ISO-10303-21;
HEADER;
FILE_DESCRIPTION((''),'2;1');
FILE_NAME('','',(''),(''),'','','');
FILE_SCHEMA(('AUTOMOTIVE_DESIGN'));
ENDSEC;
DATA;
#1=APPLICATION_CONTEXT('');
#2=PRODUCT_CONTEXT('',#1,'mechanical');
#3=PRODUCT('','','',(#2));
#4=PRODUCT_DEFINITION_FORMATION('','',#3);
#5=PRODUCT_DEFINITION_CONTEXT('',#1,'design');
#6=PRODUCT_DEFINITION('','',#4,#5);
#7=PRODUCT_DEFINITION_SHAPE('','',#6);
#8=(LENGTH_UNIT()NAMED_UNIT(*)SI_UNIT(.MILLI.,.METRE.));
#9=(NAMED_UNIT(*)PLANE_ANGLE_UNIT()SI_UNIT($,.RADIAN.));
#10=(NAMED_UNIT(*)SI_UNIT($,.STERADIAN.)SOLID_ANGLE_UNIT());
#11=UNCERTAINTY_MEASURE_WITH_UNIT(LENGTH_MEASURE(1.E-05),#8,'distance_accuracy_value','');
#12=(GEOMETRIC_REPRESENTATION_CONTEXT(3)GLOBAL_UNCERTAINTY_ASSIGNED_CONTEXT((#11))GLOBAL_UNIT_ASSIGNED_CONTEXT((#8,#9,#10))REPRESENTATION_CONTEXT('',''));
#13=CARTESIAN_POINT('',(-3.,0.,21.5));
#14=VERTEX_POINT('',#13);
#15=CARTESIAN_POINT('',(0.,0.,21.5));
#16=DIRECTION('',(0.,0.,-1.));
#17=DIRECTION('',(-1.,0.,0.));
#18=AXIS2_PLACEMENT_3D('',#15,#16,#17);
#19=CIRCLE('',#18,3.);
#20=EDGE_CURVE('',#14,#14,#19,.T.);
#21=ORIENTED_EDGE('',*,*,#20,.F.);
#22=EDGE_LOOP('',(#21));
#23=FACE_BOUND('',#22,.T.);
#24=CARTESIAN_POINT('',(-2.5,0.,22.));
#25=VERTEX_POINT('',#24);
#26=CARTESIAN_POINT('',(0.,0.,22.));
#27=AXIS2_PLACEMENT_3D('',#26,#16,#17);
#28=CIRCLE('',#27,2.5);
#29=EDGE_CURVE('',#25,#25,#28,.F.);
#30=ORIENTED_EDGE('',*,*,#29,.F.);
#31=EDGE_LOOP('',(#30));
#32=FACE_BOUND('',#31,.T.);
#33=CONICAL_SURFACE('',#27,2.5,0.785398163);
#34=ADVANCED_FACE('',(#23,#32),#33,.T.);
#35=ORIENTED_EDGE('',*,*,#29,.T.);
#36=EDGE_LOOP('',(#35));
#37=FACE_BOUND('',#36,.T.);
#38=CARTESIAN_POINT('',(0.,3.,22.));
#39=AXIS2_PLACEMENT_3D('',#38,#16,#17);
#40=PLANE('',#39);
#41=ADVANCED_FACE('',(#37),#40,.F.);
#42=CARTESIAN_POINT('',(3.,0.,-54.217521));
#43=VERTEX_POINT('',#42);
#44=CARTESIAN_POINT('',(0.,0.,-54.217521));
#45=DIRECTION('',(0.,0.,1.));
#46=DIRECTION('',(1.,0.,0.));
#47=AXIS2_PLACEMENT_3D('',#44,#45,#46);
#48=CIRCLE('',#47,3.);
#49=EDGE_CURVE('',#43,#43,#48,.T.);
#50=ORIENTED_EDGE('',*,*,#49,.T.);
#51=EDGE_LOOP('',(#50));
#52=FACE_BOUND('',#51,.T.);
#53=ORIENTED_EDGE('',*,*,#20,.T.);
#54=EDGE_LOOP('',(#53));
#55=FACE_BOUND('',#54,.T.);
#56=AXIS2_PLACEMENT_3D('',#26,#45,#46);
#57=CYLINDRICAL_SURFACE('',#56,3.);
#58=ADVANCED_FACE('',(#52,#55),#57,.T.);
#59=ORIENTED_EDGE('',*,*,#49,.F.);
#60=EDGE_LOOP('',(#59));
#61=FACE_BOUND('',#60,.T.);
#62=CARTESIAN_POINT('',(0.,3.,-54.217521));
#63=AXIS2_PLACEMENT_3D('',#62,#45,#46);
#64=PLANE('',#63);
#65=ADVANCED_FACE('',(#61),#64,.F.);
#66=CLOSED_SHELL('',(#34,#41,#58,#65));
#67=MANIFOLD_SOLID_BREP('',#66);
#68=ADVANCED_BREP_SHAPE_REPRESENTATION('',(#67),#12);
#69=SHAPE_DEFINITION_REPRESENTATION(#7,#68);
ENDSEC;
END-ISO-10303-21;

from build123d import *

# Parameters (mm, degrees)
FASE1_SIZE = 0.5


with BuildPart() as part:
    # Skizze1 → Rotation1 (revolve)
    with BuildSketch(Plane(origin=(0, 0, 0), x_dir=(0, 0, -1), z_dir=(1, 0, 0)), mode=Mode.PRIVATE) as rotation1_sk:
        Polygon((7, 3), (2, 3), (-22, 3), (-22, 0), (0, 0), (54.21752089, 0), (54.21752089, 3), align=None)
    revolve(rotation1_sk.sketch.rotate(Axis((0, 0, 22), (0, 0, -1)), 90), axis=Axis((0, 0, 22), (0, 0, -1)))

    # Fase1
    fase1_edges = [part.edges().sort_by_distance(p)[0] for p in [
        (-3, 0, 22),
    ]]
    chamfer(fase1_edges, length=FASE1_SIZE)


solid = part.part
